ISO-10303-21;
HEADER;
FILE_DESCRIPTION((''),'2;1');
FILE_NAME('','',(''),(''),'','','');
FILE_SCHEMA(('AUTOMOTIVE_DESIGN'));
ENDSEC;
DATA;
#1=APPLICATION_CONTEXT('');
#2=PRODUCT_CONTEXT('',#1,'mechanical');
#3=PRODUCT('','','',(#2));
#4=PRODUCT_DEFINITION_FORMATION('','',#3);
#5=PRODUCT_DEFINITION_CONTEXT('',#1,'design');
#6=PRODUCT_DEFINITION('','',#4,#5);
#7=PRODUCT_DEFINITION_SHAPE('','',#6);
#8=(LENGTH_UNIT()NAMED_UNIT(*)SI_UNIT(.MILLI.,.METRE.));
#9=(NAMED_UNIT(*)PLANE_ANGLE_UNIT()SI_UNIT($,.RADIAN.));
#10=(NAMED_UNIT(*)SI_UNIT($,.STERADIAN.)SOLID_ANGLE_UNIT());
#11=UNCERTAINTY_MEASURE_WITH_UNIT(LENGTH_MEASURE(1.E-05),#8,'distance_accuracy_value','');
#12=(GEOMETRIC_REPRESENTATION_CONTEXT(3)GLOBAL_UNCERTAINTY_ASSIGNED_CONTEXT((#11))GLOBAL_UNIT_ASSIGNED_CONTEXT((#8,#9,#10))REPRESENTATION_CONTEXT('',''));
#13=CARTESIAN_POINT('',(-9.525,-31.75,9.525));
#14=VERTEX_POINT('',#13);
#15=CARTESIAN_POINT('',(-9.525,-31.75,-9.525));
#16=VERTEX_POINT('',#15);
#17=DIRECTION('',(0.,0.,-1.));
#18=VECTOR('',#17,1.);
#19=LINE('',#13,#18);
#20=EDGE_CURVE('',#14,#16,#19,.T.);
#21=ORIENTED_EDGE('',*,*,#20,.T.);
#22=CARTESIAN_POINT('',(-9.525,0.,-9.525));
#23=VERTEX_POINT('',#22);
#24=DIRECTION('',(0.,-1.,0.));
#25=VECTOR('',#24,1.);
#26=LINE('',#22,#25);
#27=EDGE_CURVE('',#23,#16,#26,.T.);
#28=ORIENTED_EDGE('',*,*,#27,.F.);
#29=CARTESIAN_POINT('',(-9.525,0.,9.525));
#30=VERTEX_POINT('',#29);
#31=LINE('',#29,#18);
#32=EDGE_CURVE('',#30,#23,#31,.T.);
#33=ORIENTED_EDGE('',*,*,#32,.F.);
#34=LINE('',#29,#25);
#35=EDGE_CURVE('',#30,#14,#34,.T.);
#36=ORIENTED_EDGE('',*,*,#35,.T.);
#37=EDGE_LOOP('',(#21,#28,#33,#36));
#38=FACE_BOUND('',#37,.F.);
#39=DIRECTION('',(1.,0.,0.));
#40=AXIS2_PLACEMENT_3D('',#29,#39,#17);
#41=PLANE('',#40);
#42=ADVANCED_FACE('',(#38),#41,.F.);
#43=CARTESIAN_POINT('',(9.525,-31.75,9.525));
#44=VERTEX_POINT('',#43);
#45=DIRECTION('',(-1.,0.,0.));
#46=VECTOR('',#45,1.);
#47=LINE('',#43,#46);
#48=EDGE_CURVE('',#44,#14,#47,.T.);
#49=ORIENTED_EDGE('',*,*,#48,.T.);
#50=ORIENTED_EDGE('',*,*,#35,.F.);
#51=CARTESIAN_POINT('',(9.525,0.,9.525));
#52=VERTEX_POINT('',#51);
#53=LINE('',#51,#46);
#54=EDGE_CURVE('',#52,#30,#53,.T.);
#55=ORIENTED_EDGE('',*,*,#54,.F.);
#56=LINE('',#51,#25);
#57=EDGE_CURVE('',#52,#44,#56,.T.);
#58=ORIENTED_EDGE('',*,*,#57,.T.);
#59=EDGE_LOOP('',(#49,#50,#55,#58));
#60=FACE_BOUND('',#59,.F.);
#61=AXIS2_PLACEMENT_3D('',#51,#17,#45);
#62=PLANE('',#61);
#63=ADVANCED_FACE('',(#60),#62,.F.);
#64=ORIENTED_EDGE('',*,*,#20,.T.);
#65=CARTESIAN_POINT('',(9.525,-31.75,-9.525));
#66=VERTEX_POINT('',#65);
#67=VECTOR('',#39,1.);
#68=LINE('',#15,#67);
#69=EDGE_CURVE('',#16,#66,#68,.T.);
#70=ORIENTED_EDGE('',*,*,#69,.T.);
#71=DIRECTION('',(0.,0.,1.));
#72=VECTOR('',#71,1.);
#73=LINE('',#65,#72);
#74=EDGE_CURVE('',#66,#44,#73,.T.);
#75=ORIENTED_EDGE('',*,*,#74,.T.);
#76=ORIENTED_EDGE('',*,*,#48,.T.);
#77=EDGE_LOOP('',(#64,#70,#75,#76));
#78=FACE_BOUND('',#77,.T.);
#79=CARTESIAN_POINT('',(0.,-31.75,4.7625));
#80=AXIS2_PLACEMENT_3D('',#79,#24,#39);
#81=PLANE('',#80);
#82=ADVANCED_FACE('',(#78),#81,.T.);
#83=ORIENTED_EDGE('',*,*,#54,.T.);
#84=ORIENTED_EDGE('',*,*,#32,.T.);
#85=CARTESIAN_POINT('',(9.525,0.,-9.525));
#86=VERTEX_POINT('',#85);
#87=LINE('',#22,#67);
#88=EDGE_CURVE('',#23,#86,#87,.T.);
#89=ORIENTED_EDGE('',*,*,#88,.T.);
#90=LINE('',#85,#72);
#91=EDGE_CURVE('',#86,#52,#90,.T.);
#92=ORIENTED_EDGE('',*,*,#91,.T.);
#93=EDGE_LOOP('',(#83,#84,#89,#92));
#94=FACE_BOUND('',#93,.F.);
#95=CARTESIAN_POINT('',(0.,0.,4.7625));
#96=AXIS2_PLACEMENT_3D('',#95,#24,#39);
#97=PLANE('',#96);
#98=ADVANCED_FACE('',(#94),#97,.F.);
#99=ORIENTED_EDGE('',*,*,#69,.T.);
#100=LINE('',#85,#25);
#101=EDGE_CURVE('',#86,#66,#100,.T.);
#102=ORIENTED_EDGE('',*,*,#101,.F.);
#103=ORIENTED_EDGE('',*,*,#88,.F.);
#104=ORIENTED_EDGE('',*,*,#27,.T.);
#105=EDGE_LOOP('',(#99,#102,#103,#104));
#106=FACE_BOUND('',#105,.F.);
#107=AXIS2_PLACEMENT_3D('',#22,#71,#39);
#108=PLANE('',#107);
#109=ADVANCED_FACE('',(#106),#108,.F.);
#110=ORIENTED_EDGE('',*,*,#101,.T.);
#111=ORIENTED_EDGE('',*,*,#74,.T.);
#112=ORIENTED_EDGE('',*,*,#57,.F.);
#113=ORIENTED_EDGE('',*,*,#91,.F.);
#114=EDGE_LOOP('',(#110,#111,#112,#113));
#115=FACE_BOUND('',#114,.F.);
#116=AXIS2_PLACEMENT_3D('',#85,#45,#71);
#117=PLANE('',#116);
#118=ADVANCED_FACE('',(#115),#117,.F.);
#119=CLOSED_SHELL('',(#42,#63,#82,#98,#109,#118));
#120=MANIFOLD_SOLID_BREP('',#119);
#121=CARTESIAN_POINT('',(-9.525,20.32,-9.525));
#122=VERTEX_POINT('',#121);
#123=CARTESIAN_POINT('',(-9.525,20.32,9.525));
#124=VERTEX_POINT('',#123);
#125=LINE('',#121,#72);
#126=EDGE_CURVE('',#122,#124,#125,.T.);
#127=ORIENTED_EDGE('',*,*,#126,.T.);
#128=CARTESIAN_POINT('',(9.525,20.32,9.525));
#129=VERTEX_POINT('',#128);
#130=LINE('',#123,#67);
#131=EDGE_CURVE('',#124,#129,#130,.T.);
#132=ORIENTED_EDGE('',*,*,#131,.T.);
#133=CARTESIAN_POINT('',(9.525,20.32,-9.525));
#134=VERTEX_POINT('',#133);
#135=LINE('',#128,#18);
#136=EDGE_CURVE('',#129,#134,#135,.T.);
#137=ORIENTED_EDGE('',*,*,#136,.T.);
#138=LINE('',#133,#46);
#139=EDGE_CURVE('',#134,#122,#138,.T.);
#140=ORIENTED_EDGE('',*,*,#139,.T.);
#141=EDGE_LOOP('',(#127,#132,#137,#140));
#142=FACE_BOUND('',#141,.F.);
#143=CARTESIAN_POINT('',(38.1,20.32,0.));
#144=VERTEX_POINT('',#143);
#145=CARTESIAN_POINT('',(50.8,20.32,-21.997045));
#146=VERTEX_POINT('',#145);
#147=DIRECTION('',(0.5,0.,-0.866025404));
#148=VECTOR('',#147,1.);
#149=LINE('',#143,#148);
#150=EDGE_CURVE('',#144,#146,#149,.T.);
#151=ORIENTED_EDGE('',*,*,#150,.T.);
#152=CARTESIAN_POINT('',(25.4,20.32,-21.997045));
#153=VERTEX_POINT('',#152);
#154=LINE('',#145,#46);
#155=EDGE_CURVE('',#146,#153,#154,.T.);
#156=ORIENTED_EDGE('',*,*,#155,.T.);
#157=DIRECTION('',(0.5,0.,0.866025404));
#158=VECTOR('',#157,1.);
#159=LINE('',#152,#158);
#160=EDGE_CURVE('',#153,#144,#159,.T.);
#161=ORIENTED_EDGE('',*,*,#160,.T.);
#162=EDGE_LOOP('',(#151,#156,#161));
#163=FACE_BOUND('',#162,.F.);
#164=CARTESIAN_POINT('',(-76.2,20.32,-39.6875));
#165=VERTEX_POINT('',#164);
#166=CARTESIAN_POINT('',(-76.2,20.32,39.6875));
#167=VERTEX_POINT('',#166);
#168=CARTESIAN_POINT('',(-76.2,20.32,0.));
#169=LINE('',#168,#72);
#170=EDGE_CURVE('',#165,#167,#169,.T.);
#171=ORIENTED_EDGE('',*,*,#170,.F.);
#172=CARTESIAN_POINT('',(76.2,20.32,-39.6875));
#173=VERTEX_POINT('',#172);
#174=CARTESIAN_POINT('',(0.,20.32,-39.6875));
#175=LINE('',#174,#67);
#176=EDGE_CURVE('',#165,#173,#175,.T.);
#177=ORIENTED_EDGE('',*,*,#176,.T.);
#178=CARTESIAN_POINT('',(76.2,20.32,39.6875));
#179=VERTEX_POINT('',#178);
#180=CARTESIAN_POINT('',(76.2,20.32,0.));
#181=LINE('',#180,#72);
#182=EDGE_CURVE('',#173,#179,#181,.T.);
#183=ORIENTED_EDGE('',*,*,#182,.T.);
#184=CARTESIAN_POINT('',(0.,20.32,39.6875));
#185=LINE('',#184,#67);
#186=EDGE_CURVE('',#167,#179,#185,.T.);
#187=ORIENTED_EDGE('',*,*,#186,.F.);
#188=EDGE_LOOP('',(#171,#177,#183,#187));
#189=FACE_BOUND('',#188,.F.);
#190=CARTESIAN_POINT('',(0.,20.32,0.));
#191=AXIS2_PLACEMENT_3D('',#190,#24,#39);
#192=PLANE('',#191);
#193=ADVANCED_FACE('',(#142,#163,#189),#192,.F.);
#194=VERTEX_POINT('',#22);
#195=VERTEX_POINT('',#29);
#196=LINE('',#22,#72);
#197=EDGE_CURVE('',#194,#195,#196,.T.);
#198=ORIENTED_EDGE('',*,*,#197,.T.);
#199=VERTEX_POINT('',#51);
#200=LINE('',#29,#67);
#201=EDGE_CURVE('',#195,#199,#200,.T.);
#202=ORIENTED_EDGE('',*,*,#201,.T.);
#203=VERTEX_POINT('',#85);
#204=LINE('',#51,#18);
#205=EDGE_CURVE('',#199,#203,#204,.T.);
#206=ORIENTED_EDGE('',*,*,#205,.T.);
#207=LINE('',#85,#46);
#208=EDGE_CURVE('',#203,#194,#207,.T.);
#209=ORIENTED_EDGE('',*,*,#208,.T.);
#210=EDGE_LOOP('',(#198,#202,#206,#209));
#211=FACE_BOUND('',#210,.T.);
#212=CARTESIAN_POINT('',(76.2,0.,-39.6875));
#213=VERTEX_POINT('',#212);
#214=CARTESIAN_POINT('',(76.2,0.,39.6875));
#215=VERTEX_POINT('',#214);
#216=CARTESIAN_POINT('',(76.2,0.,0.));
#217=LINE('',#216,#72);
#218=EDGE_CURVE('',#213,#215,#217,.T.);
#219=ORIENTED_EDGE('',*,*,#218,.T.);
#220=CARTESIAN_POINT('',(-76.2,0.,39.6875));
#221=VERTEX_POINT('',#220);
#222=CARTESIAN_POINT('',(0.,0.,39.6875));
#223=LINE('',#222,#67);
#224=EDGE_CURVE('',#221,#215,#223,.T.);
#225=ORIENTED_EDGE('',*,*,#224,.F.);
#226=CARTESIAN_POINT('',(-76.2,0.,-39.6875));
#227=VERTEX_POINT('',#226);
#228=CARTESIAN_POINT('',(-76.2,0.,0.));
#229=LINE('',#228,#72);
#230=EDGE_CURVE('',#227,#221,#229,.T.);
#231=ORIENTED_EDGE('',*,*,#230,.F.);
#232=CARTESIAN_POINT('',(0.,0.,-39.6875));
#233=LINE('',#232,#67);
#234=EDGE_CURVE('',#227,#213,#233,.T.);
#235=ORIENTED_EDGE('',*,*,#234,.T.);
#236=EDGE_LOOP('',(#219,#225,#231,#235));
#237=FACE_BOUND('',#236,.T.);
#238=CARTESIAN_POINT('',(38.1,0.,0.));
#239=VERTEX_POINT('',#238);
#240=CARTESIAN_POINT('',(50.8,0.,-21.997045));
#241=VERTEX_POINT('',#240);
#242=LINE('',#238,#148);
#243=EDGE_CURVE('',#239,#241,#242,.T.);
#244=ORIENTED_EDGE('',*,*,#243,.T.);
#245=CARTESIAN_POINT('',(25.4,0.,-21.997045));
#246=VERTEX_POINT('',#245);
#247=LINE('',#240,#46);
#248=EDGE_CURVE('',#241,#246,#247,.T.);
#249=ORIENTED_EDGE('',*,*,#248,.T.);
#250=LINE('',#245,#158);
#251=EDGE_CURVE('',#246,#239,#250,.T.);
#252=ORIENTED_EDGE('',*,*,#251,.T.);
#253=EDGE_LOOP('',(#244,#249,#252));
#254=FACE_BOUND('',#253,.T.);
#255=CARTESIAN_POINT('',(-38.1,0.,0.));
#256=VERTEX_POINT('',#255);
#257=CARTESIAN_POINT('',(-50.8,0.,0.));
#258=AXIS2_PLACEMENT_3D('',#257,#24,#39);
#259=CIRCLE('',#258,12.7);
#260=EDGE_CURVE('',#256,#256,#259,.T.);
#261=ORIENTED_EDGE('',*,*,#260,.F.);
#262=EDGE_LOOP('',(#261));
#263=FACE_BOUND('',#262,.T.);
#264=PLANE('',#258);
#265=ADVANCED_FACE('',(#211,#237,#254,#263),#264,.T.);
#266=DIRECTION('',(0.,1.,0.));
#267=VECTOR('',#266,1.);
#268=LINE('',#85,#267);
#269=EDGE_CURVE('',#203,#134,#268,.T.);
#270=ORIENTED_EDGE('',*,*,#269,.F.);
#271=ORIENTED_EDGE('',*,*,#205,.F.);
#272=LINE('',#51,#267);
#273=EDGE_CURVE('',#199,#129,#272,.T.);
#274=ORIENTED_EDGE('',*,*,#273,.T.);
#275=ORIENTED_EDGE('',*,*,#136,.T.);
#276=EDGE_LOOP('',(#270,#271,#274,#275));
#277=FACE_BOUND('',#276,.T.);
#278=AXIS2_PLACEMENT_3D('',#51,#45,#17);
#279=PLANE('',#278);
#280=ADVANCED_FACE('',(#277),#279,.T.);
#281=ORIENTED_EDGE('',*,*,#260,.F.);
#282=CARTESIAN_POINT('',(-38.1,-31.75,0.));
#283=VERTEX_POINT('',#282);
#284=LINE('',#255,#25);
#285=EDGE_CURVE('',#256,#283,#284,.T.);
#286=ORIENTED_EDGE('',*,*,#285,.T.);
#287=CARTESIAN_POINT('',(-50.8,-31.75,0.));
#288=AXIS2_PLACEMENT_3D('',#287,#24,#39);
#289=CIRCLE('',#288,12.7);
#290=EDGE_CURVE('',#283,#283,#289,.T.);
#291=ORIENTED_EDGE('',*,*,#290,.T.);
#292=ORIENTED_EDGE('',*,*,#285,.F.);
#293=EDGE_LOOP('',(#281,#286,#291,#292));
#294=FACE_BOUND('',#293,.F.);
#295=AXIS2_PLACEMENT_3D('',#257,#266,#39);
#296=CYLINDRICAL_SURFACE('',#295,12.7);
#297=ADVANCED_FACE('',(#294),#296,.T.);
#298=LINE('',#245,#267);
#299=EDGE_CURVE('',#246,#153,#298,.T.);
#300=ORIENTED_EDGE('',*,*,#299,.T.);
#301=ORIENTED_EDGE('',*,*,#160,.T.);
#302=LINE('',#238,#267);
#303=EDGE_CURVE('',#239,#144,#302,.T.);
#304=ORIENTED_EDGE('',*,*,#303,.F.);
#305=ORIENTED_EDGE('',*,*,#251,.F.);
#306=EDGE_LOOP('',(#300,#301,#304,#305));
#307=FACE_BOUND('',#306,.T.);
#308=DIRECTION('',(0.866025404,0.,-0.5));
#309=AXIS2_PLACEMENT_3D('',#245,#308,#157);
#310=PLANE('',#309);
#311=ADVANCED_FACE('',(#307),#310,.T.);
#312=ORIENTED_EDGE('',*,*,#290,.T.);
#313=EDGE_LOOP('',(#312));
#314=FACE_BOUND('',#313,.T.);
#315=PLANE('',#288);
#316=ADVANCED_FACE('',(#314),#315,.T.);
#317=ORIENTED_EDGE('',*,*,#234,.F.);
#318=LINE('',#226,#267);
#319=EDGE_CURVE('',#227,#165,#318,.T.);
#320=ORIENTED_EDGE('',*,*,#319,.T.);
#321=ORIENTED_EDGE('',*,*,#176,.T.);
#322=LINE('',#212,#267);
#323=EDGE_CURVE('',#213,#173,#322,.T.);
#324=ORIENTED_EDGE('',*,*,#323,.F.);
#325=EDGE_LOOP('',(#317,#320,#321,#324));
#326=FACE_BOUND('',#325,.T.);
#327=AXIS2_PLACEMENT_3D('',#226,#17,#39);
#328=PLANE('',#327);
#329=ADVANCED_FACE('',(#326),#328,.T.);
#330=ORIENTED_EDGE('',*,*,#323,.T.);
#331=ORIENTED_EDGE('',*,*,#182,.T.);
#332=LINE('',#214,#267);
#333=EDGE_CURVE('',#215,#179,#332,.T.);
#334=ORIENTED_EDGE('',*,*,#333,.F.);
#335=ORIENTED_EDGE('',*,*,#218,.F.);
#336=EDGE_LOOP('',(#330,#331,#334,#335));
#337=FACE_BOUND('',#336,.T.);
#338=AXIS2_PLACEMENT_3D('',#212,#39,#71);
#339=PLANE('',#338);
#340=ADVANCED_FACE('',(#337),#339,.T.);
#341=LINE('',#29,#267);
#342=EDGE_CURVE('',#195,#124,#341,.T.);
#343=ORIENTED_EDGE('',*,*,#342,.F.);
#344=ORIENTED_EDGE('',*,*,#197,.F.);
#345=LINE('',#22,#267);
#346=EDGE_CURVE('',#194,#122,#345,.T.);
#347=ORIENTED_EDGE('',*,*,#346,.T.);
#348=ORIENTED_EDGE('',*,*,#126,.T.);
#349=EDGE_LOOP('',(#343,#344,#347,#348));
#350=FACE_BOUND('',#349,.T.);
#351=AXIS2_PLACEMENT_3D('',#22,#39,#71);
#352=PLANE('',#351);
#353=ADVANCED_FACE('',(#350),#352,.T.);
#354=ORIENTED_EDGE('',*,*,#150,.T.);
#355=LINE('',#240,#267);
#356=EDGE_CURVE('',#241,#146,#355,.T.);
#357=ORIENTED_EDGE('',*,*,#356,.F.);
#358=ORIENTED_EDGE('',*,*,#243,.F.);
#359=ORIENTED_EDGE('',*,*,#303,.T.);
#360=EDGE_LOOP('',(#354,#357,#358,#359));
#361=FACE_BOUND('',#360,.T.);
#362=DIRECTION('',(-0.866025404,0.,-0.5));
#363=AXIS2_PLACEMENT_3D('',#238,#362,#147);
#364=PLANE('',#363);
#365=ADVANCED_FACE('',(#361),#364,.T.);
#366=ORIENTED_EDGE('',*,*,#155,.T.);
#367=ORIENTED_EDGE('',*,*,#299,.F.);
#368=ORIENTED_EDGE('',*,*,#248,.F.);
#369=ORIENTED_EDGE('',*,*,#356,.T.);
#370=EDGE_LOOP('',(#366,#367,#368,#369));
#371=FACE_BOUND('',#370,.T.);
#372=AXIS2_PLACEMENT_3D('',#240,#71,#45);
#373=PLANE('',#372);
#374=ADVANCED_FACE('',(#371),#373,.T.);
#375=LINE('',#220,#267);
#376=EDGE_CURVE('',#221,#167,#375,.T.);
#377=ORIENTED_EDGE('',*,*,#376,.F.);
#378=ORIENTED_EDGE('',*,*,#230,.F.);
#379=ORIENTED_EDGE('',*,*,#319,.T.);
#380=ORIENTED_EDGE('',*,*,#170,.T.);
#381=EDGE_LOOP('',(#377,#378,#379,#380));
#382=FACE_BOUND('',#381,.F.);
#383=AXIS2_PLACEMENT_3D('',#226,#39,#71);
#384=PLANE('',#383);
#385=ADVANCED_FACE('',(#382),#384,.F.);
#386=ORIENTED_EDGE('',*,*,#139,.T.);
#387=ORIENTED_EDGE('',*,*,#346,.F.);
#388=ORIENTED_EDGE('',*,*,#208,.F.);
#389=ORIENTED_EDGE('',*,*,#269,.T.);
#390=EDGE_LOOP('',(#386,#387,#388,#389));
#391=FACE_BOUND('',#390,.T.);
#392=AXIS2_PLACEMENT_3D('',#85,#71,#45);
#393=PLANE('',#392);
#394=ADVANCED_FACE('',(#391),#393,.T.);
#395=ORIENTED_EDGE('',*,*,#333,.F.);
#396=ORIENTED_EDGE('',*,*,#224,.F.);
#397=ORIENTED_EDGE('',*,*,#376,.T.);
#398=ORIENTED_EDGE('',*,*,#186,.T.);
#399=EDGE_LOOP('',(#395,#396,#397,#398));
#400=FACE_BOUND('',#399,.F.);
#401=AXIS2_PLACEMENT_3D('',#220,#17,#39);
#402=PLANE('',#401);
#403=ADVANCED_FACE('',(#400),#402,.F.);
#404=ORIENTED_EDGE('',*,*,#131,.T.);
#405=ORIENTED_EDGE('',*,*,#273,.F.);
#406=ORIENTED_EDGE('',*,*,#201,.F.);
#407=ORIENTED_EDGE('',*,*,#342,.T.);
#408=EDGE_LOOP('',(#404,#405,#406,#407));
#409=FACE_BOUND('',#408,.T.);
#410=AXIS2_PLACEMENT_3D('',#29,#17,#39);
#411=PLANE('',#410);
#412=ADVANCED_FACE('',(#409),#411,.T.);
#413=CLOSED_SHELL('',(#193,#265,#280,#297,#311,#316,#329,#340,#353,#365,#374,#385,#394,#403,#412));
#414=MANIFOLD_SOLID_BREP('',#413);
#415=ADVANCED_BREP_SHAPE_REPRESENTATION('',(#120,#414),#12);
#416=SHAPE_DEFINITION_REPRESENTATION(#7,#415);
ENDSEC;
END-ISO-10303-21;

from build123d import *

# Parameters (mm, degrees)
F0_W          = 152.4
F0_H          = 79.375
F0_R          = 12.7
F1_DEPTH      = 20.32
F2_DEPTH      = 31.75
F3_DEPTH      = 20.32
F3_DEPTH_BACK = 31.75


with BuildPart() as f1:
    # F0 (on Front) → F1 (new body)
    with BuildSketch(Plane.XZ):
        Rectangle(F0_W, F0_H)
        Polygon((25.4, -21.9970452561), (38.1, 0), (50.8, -21.9970452561), align=None, mode=Mode.SUBTRACT)
        with Locations((-50.8, 0)):
            Circle(F0_R, mode=Mode.SUBTRACT)
        Polygon((9.525, 0), (9.525, -9.525), (-9.525, -9.525), (-9.525, 0), (-9.525, 9.525), (9.525, 9.525), align=None, mode=Mode.SUBTRACT)
    extrude(amount=-F1_DEPTH)

    # F0 (on Front) → F3 (join, two sides)
    with BuildSketch(Plane.XZ) as f3_sk:
        with Locations((-50.8, 0)):
            Circle(F0_R)
    extrude(amount=-F3_DEPTH)
    extrude(f3_sk.sketch, amount=F3_DEPTH_BACK)


with BuildPart() as f2:
    # F0 (on Front) → F2 (new body)
    with BuildSketch(Plane.XZ):
        Polygon((0, 0), (9.525, 0), (9.525, 9.525), (-9.525, 9.525), (-9.525, 0), align=None)
        Polygon((-9.525, -9.525), (9.525, -9.525), (9.525, 0), (0, 0), (-9.525, 0), align=None)
    extrude(amount=F2_DEPTH)


solid = Compound([f1.part, f2.part])
